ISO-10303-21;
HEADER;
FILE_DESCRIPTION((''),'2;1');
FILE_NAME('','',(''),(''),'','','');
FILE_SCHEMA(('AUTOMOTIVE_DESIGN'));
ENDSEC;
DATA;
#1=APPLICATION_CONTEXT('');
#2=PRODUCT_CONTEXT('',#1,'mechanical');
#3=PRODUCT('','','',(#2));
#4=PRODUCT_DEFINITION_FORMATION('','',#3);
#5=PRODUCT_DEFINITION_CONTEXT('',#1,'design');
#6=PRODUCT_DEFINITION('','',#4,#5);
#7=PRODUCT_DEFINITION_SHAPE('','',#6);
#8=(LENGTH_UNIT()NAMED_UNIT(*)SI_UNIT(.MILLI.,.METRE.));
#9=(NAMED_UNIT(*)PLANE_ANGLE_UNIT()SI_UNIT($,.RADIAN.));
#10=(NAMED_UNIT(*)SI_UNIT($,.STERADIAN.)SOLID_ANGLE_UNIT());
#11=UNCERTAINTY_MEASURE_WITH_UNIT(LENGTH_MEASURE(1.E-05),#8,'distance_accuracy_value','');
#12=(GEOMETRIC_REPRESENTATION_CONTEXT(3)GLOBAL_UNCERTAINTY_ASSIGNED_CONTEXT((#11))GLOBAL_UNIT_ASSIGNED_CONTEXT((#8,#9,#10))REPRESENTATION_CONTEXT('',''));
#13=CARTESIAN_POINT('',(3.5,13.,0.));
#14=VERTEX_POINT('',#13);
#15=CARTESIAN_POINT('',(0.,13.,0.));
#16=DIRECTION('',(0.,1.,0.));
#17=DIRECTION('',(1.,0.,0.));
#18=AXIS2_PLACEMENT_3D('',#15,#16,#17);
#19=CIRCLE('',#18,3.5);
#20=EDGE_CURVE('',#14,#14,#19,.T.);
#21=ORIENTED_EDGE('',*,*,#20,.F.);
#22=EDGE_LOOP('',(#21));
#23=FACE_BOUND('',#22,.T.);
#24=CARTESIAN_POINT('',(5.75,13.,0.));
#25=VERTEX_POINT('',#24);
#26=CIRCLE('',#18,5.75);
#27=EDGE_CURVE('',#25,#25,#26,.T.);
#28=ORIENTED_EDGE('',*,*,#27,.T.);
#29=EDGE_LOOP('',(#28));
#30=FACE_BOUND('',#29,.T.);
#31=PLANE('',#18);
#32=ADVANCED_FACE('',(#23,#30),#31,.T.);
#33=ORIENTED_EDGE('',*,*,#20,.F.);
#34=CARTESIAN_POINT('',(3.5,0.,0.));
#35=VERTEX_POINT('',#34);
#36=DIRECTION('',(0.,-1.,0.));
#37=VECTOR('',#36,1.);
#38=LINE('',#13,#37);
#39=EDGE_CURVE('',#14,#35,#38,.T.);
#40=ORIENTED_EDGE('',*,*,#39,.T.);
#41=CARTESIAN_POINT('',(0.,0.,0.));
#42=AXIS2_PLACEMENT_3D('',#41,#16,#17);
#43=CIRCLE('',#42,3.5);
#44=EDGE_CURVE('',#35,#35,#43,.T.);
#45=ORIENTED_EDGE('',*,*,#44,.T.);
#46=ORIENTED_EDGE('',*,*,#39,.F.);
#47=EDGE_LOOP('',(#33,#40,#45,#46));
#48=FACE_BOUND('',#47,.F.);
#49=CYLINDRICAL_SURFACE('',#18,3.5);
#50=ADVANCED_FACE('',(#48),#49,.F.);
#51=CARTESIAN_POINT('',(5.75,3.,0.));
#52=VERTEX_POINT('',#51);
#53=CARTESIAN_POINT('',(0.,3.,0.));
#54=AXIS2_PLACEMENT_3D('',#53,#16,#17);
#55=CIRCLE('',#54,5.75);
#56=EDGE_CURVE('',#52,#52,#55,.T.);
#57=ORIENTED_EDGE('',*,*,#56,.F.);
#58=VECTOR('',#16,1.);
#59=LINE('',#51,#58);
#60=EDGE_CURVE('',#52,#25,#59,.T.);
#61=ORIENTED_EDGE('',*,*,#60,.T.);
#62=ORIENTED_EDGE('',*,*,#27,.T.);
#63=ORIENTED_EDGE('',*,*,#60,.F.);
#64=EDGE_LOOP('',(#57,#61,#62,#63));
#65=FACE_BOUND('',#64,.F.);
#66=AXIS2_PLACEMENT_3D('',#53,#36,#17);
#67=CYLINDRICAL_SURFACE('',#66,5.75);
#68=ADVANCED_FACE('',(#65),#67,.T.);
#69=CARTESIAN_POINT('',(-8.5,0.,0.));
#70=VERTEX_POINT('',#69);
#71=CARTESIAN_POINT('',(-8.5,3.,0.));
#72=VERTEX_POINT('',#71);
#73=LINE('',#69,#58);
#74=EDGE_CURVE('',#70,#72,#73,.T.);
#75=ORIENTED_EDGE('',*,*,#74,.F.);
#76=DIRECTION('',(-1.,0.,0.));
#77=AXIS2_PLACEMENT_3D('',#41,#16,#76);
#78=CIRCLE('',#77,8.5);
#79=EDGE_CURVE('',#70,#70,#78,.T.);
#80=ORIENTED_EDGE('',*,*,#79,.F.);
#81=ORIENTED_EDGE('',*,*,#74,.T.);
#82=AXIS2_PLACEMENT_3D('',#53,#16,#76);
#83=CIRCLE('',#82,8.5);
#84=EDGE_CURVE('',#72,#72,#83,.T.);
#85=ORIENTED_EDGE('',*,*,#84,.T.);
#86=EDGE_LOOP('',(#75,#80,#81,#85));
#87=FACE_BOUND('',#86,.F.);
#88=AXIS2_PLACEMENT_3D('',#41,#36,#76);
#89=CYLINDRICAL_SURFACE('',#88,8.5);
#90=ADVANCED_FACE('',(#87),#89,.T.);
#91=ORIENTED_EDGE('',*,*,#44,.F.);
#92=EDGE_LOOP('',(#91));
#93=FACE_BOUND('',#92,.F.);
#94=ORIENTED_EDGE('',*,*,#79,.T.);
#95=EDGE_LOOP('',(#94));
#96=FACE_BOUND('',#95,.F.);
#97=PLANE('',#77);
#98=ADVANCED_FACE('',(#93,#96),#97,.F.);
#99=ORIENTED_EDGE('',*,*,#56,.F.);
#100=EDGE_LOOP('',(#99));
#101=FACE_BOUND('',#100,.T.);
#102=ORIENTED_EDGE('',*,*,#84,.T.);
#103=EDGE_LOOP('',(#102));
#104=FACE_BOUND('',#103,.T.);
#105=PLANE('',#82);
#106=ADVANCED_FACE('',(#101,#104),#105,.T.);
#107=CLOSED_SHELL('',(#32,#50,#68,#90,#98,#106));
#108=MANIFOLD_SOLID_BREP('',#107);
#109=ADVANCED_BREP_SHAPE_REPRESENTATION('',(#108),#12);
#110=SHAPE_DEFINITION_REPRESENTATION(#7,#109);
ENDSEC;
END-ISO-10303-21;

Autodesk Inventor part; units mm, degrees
ref_plane "YZ Plane" through (0, 0, 0) normal (1, 0, 0) x (0, 1, 0)
ref_plane "XZ Plane" through (0, 0, 0) normal (0, 1, 0) x (-1, 0, 0)
ref_plane "XY Plane" through (0, 0, 0) normal (0, 0, 1) x (1, 0, 0)
sketch "Sketch1" plane through (0, 0, 0) normal (0, 1, 0) x (-1, 0, 0)
  circle A0 centre (0, 0) radius 8.5
  dimension "d0" = 17
extrude "Extrusion1" add sketch "Sketch1" along normal blind 3
sketch "Sketch2" plane through (0, 3, 0) normal (0, 1, 0) x (1, 0, 0)
  circle A0 centre (0, 0) radius 5.75
  dimension "d4" = 11.5
extrude "Extrusion2" add sketch "Sketch2" along normal blind 10
sketch "Sketch3" plane through (0, 13, 0) normal (0, 1, 0) x (1, 0, 0)
  circle A0 centre (0, 0) radius 3.5
  dimension "d7" = 7
extrude "Extrusion3" cut sketch "Sketch3" against normal blind 19.25
equation "\"BendRadius\" = Thickness"
equation "\"BendReliefWidth\" = Thickness"
equation "\"BendReliefDepth\" = 0.5 * Thickness"
equation "\"CornerReliefSize\" = 4 * Thickness"
equation "\"MinimumRemnant\" = 2 * Thickness"
equation "\"TransitionRadius\" = BendRadius"
equation "\"JacobiRadiusSize\" = BendRadius"
equation "\"GapSize\" = Thickness"
equation "\"Thickness\" = 0.5"
properties part number "Tornillo Caja 2"
